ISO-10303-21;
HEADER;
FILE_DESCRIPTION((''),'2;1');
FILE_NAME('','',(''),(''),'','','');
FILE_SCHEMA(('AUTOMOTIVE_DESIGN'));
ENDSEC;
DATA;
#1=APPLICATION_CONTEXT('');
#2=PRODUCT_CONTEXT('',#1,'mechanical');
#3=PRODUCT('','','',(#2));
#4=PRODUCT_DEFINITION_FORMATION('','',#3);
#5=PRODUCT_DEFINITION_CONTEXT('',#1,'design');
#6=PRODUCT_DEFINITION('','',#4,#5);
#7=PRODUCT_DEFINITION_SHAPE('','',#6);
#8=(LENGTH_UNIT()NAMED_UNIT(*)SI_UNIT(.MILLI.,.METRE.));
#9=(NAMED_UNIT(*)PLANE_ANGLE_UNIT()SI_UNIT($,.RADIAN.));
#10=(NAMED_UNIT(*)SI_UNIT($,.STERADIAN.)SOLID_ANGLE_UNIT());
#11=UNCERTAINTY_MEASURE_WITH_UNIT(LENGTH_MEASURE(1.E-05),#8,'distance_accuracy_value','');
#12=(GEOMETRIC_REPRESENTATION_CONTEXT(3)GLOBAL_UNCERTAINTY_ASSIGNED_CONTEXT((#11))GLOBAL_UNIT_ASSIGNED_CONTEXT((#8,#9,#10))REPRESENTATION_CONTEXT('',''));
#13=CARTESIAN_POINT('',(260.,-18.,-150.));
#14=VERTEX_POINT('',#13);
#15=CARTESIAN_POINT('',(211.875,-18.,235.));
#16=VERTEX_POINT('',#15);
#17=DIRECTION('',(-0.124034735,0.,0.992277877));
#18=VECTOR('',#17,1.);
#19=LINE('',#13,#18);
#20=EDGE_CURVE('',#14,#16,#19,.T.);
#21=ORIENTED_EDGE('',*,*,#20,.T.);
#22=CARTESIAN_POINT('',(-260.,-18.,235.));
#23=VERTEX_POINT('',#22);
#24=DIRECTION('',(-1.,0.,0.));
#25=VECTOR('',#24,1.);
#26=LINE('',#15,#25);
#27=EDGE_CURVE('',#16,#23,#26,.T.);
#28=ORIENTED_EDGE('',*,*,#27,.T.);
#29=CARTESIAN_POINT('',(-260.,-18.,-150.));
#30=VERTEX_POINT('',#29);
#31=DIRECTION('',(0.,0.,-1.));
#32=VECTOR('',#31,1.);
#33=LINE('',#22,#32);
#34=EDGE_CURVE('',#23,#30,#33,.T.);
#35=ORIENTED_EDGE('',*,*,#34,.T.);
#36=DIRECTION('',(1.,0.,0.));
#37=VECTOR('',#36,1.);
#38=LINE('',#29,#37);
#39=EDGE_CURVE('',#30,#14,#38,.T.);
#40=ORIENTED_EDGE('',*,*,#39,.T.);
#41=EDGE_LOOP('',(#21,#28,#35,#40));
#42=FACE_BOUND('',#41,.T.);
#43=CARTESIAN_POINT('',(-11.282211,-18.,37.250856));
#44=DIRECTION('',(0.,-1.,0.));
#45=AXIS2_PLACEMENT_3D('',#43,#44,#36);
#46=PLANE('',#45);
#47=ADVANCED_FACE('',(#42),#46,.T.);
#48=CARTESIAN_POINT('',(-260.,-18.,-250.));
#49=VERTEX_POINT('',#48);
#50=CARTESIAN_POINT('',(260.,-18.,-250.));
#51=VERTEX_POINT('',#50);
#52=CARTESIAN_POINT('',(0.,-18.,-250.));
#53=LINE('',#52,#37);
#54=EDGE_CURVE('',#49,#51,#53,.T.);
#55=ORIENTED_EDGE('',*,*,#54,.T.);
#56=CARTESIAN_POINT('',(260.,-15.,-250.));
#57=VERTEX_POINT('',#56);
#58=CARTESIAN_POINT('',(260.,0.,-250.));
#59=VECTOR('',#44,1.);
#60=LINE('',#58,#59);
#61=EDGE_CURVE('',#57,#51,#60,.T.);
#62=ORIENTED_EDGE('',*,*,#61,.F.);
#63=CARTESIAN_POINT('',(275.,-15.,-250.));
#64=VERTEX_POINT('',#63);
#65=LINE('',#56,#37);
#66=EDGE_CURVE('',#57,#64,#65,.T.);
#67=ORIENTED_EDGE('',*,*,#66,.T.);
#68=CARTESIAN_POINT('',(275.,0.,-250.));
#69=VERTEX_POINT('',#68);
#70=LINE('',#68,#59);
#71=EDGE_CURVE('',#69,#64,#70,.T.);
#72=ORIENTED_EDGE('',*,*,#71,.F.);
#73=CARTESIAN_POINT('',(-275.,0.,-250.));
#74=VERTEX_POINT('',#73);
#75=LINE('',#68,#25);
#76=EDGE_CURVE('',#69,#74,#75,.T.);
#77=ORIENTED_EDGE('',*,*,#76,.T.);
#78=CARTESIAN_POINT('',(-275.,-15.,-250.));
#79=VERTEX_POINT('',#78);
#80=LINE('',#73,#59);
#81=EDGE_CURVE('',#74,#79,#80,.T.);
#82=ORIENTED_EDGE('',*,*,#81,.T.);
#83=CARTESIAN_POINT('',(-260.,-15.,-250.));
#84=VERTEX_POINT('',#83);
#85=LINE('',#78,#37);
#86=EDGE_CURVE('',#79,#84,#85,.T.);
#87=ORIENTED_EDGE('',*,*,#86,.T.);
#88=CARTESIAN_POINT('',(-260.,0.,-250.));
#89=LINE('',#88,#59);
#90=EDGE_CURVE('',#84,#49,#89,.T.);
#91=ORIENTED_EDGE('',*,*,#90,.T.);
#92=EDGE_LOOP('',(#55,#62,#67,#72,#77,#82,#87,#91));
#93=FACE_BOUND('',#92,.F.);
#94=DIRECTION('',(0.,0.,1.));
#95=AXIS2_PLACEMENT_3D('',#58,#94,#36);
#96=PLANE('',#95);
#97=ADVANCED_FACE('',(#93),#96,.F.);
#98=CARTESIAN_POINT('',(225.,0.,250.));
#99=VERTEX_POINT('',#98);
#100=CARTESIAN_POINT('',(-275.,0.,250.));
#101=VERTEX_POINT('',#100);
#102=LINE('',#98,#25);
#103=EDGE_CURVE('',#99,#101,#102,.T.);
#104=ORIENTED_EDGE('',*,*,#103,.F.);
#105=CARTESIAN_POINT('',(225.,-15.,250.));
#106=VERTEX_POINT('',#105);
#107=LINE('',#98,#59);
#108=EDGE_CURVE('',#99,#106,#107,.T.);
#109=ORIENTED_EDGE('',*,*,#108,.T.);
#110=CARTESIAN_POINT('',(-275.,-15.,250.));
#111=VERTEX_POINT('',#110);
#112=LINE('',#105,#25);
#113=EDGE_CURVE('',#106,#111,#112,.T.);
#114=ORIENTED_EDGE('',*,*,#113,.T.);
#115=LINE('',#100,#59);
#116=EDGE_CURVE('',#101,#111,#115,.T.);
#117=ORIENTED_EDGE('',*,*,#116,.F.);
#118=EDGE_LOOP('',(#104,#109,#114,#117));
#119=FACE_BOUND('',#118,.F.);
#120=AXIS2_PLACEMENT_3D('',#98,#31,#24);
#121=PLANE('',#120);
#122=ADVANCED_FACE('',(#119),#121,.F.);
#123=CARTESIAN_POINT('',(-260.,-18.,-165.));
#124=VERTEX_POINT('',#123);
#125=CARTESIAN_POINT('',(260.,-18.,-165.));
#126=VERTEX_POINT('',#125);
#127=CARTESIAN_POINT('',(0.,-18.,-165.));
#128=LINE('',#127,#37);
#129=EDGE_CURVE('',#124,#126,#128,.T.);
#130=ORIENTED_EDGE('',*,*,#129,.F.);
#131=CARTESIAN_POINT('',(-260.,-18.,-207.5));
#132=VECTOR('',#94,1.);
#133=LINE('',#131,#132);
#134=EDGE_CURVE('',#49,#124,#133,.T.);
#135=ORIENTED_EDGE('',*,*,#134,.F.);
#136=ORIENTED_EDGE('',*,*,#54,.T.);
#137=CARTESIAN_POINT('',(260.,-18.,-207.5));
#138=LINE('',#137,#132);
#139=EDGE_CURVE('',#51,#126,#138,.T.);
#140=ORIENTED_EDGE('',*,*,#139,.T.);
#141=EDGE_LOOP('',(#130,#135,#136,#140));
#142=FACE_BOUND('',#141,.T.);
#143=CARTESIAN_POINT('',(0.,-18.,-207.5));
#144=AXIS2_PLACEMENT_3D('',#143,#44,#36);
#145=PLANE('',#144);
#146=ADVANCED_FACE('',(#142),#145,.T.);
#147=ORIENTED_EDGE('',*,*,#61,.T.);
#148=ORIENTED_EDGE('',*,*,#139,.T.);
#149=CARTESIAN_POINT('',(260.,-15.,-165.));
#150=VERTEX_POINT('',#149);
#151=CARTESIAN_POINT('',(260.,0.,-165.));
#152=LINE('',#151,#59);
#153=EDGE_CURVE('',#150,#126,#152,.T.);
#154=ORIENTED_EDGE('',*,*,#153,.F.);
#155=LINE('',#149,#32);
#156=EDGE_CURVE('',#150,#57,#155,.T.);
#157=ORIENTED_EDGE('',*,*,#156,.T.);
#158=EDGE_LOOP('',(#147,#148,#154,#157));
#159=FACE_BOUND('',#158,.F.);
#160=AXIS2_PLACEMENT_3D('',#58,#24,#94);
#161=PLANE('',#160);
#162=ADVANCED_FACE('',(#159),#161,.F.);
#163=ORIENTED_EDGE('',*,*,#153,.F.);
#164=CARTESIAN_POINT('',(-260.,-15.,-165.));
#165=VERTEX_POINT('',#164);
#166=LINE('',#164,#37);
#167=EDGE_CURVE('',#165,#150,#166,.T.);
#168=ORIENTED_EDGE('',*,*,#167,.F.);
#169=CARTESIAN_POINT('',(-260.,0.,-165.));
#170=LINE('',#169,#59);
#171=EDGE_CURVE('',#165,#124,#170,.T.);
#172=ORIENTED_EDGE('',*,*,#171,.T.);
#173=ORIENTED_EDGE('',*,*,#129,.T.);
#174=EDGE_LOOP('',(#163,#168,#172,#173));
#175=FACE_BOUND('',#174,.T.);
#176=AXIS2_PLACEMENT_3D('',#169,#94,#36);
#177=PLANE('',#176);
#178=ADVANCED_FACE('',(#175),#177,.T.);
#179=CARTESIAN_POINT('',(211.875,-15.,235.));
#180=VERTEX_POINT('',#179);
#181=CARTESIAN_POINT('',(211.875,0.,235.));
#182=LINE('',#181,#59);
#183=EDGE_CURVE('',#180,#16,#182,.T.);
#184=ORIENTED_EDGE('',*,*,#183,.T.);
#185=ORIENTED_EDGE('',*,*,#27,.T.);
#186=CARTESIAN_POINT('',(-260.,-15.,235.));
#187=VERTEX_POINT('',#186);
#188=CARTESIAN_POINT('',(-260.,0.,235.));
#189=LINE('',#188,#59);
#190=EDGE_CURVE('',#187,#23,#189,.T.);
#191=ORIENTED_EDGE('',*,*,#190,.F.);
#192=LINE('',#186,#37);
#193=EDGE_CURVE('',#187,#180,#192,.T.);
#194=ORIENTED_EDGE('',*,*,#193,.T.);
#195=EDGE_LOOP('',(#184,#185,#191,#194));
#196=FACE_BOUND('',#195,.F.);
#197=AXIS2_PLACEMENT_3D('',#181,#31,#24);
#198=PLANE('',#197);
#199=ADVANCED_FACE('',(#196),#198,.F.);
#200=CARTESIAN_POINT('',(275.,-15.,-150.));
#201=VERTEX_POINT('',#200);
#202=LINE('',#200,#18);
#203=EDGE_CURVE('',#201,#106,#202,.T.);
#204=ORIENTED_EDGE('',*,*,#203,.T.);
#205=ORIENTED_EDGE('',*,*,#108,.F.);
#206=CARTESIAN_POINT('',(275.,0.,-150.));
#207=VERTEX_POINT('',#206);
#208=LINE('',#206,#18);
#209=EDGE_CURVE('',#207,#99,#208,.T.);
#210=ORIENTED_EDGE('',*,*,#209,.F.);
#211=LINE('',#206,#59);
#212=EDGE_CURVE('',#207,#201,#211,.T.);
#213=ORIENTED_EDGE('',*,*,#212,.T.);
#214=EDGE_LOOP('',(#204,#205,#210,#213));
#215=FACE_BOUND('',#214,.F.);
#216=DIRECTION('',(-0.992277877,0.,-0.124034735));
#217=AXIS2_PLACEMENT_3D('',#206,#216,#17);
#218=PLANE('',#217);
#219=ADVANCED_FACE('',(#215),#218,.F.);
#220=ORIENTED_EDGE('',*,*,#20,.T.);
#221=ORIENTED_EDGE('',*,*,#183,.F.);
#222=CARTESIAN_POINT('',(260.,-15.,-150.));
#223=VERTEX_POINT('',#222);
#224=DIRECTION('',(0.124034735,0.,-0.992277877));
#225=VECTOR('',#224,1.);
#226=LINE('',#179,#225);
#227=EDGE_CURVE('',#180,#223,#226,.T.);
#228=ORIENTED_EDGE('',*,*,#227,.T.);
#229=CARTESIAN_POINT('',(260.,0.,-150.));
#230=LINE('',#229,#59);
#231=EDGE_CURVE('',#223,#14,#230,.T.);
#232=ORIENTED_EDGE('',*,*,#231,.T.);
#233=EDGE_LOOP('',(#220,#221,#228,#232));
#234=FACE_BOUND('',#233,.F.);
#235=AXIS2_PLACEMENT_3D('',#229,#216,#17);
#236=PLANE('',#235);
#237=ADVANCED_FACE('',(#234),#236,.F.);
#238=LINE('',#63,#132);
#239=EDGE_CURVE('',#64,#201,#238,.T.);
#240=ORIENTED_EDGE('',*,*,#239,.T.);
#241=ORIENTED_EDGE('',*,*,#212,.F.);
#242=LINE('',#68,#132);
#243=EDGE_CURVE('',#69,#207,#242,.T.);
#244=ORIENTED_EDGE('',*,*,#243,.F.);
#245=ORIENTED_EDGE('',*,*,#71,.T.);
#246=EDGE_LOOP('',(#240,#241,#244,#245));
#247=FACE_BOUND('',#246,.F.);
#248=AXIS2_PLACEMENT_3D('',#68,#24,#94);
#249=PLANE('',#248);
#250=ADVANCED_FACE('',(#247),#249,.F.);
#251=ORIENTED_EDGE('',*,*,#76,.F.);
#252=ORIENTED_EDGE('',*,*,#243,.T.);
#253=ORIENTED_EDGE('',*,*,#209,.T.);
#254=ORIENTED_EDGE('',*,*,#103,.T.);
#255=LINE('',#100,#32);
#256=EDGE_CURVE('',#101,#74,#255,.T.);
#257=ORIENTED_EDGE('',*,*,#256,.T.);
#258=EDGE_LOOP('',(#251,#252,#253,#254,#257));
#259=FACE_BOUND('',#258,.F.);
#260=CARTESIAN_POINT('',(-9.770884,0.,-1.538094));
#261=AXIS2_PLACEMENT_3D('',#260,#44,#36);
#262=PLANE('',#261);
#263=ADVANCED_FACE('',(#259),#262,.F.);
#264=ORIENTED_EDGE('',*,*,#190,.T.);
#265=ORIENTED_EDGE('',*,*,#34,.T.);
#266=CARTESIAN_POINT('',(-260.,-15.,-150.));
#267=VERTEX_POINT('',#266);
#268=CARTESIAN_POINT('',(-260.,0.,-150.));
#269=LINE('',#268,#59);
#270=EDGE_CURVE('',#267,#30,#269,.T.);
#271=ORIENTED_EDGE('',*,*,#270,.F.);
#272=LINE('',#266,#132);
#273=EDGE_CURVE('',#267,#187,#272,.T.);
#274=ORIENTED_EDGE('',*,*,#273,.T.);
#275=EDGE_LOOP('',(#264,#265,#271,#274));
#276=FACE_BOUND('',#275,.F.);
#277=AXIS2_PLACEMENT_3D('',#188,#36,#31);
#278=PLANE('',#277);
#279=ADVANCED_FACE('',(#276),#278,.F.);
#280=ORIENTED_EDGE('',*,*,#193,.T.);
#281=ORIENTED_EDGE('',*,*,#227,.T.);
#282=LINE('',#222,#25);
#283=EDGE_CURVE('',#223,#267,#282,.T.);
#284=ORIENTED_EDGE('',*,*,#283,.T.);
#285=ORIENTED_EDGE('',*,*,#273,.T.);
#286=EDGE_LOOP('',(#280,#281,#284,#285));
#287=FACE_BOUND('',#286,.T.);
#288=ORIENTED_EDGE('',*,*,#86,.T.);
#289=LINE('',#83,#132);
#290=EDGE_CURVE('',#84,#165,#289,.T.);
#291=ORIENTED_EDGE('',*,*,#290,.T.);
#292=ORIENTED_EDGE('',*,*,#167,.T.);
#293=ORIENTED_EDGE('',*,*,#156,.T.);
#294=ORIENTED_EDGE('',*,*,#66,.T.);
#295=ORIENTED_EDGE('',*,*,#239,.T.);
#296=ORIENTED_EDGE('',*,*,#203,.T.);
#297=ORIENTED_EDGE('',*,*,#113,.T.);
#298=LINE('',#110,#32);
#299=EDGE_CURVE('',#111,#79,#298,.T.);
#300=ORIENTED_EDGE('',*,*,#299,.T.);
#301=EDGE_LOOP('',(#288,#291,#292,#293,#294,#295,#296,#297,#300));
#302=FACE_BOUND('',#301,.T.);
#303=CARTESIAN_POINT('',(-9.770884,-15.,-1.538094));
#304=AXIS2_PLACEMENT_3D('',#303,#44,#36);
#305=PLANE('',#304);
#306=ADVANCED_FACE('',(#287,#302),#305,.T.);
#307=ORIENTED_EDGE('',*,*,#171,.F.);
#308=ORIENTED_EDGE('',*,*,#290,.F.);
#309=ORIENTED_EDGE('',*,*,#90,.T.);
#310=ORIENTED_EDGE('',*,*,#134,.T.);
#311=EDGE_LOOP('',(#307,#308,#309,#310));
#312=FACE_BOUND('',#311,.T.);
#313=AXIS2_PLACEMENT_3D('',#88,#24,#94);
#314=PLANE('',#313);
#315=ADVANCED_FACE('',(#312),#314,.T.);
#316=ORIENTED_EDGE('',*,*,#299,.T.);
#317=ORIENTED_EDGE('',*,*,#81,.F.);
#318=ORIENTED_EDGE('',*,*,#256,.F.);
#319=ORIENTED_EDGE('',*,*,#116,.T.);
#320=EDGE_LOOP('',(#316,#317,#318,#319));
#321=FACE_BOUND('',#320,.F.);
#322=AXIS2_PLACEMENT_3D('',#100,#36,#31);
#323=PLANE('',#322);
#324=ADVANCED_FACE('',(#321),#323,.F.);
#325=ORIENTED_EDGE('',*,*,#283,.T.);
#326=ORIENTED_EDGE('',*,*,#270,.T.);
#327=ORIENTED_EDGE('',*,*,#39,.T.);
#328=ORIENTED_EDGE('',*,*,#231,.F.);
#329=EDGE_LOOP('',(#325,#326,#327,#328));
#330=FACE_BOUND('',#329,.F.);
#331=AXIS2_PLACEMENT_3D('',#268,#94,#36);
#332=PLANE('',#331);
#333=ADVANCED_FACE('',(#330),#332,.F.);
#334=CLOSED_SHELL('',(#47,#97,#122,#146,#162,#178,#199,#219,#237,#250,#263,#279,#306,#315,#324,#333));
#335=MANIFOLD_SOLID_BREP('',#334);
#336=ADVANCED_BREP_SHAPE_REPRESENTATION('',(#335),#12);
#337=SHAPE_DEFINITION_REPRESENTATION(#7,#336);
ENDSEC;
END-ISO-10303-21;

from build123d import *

# Parameters (mm, degrees)
F1_DEPTH = 18
F0_W     = 520
F0_H     = 85
F2_DEPTH = 15


with BuildPart() as f1:
    # F0 (on Front) → F1 (new body)
    with BuildSketch(Plane.XZ):
        Polygon((-260, -150), (260, -150), (211.875, 235), (-260, 235), align=None)
    extrude(amount=F1_DEPTH)



with BuildPart() as f1b:
    # F0 (on Front) → F1, piece 2 (new body)
    with BuildSketch(Plane.XZ):
        with Locations((0, -207.5)):
            Rectangle(F0_W, F0_H)
    extrude(amount=F1_DEPTH)


with BuildPart() as f1_1:
    add(f1.part)

    add(f1b.part)  # F2 merges F1b
    # F0 (on Front) → F2 (join)
    with BuildSketch(Plane.XZ):
        Polygon((275, -150), (225, 250), (-275, 250), (-275, -250), (-260, -250), (-260, -165), (260, -165), (260, -250), (275, -250), align=None)
        Polygon((211.875, 235), (260, -150), (-260, -150), (-260, 235), align=None, mode=Mode.SUBTRACT)
    extrude(amount=F2_DEPTH)


solid = f1_1.part
